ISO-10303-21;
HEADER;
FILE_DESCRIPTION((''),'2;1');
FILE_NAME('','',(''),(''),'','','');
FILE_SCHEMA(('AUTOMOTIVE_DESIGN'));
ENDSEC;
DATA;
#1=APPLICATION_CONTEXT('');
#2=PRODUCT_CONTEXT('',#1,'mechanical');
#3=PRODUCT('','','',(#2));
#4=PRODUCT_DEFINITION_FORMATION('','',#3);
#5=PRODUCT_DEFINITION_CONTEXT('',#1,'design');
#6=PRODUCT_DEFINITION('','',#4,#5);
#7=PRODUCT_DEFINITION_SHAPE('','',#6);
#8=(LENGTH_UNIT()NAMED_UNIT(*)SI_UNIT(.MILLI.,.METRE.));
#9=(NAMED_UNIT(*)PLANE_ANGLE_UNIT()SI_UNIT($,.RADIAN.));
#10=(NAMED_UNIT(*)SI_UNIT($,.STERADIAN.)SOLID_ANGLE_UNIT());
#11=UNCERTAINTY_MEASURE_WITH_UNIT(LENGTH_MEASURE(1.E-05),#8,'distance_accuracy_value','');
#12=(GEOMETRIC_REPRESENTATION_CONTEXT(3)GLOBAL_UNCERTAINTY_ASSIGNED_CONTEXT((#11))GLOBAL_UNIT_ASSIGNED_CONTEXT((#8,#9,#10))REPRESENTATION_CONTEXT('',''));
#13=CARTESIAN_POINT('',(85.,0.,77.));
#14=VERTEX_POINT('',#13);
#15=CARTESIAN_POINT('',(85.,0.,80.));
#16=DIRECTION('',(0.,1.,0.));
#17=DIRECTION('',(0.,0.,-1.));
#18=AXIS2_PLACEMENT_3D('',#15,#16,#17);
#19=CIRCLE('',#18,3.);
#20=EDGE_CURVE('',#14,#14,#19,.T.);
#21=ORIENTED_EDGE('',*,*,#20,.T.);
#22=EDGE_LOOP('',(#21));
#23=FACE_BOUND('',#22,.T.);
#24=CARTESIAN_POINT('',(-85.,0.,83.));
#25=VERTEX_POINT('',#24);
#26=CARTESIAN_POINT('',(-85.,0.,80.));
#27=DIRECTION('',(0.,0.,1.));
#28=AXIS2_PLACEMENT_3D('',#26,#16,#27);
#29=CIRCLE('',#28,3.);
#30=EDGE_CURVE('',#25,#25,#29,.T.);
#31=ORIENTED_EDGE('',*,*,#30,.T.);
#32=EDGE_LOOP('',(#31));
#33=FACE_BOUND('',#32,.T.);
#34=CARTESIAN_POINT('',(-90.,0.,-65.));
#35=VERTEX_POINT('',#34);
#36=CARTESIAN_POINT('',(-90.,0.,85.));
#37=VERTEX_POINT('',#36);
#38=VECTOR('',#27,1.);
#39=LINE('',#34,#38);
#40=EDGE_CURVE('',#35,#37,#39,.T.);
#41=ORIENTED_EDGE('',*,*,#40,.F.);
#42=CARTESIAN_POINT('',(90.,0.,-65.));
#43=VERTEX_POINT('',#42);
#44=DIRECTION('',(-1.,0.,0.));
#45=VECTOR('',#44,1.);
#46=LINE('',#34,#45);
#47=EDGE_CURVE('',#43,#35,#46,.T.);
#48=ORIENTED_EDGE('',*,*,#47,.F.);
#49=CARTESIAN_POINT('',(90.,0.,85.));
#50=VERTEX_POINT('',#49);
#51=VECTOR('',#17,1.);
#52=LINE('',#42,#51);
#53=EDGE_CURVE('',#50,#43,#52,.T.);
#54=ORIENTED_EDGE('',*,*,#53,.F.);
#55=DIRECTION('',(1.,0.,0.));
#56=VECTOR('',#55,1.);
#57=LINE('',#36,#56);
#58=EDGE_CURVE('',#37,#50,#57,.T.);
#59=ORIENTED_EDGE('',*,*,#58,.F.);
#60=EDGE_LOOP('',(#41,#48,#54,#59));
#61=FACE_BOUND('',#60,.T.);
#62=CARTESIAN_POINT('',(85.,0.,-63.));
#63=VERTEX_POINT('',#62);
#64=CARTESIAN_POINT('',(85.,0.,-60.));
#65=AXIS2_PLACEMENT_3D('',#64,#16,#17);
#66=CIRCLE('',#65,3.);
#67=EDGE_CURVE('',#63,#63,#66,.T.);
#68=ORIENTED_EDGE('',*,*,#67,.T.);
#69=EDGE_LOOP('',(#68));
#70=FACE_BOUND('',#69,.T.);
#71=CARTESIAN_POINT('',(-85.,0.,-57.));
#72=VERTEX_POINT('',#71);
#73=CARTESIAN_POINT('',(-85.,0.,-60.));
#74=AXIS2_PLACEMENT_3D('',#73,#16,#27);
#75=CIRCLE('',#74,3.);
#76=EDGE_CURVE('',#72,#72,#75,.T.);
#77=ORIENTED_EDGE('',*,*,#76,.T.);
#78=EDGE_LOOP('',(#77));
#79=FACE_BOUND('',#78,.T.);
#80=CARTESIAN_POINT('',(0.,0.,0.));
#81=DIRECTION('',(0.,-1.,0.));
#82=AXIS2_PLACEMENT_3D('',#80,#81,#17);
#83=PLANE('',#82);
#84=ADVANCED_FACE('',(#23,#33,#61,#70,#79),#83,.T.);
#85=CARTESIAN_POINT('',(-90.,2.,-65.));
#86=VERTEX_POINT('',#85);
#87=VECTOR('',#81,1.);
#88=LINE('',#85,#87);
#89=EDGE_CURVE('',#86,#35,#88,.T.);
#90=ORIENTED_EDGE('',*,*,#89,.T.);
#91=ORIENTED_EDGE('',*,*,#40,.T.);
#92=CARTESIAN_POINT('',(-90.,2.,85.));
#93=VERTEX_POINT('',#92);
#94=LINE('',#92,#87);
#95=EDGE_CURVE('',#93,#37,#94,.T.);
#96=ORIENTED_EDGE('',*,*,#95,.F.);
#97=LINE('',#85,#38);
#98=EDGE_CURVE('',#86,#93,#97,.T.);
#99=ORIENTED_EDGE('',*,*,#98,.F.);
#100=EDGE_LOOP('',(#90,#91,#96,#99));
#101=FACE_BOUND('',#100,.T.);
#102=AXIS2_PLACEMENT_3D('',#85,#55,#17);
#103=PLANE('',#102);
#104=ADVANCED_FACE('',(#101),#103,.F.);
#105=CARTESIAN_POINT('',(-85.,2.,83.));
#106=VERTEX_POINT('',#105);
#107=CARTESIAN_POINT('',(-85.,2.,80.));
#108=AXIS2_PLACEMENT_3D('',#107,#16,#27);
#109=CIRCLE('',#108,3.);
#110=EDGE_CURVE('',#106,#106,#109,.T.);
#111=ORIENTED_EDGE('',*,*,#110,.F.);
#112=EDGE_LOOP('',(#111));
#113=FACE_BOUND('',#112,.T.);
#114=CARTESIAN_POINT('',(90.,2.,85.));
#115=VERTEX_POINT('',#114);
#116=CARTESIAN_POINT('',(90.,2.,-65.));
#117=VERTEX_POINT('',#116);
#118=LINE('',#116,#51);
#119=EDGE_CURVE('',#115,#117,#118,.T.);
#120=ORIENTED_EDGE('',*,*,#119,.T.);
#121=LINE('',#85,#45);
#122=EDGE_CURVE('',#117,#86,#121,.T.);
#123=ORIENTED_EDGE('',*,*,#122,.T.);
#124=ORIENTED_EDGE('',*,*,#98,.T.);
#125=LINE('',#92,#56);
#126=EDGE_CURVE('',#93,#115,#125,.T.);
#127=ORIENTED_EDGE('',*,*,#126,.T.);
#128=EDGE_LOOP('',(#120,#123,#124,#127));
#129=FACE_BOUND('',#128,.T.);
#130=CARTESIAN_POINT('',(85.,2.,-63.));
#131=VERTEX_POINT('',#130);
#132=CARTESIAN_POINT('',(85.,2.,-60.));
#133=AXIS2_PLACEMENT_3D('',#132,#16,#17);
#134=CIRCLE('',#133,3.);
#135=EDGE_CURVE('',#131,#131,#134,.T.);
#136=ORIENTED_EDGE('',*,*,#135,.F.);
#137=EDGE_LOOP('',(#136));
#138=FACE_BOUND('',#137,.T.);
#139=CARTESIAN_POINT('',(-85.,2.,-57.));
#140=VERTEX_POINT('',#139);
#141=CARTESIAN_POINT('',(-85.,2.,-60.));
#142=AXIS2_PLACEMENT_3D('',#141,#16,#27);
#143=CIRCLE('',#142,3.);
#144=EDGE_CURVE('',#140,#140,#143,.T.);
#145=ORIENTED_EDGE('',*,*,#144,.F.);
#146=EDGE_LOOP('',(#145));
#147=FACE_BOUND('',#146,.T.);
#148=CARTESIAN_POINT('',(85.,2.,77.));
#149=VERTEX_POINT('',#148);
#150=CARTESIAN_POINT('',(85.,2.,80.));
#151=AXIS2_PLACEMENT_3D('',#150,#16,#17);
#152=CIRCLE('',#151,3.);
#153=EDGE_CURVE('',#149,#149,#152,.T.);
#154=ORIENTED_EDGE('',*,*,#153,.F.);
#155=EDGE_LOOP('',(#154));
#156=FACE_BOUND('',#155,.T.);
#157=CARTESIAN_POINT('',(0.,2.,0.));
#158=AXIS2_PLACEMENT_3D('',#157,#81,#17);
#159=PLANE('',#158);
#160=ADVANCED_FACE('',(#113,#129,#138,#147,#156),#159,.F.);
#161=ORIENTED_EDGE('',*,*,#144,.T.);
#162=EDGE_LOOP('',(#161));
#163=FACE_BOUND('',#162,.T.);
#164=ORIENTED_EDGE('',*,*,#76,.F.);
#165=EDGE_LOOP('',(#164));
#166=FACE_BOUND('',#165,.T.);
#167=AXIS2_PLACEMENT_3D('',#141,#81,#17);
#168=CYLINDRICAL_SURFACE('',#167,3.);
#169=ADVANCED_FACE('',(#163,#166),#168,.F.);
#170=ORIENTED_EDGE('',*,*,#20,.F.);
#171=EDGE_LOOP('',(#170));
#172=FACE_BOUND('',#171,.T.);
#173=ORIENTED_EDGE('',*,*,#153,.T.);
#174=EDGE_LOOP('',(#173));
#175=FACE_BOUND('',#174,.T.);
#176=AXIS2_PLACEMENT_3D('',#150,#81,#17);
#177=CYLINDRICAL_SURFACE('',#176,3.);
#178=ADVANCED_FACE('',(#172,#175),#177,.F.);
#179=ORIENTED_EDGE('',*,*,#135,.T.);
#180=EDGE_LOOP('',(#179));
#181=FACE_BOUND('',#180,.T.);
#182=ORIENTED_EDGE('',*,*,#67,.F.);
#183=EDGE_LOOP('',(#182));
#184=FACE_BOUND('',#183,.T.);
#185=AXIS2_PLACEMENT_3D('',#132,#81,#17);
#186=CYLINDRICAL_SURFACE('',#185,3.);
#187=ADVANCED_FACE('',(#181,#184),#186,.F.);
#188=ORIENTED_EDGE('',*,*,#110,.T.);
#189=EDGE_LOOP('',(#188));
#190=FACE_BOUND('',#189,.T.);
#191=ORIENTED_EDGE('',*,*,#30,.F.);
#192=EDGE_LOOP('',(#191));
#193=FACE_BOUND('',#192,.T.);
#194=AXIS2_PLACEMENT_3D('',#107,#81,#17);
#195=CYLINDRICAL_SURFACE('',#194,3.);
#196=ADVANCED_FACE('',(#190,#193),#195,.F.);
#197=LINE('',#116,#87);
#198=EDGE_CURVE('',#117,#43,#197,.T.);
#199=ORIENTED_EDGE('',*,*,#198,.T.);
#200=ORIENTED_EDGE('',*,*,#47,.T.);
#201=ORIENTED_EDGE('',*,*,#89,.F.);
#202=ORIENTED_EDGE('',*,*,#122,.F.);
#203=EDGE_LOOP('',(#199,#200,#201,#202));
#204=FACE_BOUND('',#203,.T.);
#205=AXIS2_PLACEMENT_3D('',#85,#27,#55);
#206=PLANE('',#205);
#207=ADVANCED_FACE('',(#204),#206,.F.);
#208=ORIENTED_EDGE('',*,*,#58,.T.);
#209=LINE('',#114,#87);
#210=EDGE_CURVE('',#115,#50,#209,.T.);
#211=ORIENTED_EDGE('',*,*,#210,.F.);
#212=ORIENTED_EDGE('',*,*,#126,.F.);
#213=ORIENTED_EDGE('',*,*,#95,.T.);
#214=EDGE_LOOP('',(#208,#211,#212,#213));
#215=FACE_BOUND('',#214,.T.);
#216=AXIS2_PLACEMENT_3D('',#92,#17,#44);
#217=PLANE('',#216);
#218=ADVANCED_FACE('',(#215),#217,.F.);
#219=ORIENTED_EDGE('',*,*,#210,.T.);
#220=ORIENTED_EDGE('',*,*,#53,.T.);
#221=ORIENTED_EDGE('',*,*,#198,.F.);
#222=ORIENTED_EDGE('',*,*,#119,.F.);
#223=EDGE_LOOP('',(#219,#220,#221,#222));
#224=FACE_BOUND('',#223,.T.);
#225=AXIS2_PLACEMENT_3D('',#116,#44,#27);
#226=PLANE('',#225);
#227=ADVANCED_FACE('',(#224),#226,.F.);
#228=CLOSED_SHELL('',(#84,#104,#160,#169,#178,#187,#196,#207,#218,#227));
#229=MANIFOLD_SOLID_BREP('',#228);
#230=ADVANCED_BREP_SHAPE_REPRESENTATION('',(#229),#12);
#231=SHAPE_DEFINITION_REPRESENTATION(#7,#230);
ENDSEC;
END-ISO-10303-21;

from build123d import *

# Parameters (mm, degrees)
SKETCH1_W           = 180
SKETCH1_H           = 150
SKETCH1_R           = 3
BOSS_EXTRUDE1_DEPTH = 2


with BuildPart() as part:
    # Sketch1 → Boss-Extrude1 (new body)
    with BuildSketch(Plane(origin=(0, 0, 0), x_dir=(1, 0, 0), z_dir=(0, 1, 0))):
        with Locations((0, -10)):
            Rectangle(SKETCH1_W, SKETCH1_H)
        with Locations(Location((-85, -80, 0), (0, 0, 270))):
            Circle(SKETCH1_R, mode=Mode.SUBTRACT)
        with Locations(Location((85, -80, 0), (0, 0, 90))):
            Circle(SKETCH1_R, mode=Mode.SUBTRACT)
        with Locations(Location((-85, 60, 0), (0, 0, 270))):
            Circle(SKETCH1_R, mode=Mode.SUBTRACT)
        with Locations(Location((85, 60, 0), (0, 0, 90))):
            Circle(SKETCH1_R, mode=Mode.SUBTRACT)
    extrude(amount=BOSS_EXTRUDE1_DEPTH)


solid = part.part
